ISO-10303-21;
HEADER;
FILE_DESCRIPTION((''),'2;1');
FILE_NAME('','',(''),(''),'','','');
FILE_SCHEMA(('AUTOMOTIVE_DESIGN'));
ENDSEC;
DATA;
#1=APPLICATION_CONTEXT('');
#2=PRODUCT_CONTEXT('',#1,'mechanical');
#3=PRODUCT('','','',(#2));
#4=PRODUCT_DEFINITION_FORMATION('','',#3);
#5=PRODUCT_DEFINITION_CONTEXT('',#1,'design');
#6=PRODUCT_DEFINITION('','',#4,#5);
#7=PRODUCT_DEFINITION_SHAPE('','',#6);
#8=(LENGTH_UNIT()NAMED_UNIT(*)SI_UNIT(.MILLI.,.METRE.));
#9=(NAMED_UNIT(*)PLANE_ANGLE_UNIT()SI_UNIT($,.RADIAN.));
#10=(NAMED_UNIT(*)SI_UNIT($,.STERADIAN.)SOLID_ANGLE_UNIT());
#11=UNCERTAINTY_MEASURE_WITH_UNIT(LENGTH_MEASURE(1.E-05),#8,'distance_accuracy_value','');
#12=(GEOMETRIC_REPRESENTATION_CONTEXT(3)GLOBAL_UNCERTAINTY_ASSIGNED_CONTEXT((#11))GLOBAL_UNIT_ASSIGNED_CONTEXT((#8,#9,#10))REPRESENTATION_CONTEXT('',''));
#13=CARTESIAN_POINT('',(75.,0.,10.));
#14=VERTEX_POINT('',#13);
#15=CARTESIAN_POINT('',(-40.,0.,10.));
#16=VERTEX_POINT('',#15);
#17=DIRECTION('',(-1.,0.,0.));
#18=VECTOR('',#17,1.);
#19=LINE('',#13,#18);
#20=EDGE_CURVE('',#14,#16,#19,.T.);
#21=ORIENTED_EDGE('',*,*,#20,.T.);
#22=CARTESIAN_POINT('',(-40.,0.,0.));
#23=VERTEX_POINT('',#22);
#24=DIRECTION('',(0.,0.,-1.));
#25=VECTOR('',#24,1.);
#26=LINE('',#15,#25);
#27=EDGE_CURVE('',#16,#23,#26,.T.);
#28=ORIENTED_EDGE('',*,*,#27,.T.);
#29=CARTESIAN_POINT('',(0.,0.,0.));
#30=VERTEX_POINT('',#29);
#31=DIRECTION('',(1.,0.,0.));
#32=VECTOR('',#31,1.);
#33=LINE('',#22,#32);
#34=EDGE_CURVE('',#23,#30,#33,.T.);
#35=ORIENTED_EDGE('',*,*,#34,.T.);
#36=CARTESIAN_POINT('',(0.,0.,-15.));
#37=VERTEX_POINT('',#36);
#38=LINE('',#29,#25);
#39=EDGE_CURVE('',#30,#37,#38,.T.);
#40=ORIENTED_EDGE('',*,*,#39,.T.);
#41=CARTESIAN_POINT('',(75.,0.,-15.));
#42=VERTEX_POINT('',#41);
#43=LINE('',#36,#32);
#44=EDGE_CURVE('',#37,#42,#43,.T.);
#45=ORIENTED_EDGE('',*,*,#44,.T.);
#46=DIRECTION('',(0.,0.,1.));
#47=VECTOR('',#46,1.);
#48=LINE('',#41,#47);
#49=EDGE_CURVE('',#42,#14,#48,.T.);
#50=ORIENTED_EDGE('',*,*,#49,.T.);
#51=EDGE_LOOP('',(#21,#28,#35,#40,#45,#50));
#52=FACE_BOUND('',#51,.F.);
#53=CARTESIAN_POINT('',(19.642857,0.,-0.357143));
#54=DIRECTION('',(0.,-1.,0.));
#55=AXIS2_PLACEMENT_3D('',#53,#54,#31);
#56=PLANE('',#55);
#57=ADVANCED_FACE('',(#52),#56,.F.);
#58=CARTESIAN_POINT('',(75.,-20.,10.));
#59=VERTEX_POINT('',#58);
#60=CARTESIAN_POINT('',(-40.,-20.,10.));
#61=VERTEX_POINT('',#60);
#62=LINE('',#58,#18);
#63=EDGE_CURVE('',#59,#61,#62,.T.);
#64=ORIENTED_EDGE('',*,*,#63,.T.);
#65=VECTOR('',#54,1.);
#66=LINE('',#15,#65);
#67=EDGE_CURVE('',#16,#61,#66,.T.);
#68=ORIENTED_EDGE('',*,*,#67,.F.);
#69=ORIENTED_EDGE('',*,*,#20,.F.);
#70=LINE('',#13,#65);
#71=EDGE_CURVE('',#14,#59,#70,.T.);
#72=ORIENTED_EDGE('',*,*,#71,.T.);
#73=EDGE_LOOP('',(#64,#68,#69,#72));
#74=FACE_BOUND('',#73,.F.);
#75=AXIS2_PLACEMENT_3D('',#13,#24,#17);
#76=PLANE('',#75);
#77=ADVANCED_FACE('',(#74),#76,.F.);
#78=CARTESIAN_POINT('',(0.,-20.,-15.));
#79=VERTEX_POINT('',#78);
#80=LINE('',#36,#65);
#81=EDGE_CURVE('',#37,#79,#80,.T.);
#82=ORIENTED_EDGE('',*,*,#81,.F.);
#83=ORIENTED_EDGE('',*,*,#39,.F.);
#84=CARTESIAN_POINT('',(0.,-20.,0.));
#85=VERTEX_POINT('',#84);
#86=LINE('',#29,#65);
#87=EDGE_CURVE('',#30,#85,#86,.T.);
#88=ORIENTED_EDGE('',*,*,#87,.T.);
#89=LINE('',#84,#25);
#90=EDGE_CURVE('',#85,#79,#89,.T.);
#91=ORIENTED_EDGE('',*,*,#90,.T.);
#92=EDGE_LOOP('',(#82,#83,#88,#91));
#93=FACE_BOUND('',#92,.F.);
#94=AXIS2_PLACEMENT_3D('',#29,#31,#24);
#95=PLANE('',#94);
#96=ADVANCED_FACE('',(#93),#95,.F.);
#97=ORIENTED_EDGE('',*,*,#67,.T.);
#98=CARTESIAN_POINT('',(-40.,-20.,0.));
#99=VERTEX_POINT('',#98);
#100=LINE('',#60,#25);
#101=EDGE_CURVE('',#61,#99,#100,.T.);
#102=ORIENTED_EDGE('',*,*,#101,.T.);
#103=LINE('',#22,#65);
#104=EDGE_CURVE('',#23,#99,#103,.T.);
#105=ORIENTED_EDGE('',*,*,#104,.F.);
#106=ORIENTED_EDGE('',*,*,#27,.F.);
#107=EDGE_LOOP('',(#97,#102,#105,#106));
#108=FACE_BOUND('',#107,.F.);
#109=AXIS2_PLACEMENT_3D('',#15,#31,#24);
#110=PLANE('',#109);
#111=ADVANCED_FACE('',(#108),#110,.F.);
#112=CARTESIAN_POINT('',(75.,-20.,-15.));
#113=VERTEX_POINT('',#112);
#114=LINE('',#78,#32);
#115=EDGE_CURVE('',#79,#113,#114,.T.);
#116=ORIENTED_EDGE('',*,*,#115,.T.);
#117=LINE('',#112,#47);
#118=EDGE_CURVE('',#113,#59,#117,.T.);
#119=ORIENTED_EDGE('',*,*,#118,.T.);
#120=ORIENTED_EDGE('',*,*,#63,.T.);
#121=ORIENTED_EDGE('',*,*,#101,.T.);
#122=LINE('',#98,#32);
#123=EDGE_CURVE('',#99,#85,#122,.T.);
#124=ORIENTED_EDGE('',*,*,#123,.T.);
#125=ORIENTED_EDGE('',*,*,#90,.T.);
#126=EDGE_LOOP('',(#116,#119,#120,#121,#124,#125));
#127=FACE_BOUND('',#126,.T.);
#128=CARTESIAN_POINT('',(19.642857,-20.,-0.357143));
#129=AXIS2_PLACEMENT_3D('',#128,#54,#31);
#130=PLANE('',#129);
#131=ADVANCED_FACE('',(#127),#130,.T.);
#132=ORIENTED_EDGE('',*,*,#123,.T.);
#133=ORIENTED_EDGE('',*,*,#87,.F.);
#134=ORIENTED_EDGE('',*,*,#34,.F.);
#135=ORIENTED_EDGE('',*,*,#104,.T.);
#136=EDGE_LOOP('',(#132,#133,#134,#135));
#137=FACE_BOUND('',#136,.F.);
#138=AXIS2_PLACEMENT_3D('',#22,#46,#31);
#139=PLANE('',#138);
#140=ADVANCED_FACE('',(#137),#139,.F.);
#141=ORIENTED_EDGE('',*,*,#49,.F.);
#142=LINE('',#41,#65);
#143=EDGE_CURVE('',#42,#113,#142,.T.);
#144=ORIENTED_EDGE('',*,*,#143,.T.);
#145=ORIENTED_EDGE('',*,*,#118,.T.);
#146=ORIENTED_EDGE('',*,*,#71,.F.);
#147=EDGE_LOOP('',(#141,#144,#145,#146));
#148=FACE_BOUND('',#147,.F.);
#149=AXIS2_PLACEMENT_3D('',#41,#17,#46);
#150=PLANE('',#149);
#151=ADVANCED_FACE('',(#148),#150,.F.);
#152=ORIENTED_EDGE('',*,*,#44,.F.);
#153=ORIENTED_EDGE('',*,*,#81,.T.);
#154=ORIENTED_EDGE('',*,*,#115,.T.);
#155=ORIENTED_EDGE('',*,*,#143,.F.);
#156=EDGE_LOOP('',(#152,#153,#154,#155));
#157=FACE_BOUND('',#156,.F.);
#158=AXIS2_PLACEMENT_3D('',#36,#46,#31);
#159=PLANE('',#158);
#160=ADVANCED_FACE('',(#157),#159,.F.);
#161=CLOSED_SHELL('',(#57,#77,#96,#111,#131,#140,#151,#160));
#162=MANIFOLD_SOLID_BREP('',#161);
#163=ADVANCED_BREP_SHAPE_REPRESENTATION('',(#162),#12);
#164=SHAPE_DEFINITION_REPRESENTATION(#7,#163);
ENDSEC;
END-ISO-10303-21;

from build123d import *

# Parameters (mm, degrees)
PAD_DEPTH = 20


with BuildPart() as part:
    # Sketch → Pad (new body)
    with BuildSketch(Plane.XZ):
        Polygon((-40, 10), (-40, 0), (0, 0), (0, -15), (75, -15), (75, 10), align=None)
    extrude(amount=PAD_DEPTH)


solid = part.part
